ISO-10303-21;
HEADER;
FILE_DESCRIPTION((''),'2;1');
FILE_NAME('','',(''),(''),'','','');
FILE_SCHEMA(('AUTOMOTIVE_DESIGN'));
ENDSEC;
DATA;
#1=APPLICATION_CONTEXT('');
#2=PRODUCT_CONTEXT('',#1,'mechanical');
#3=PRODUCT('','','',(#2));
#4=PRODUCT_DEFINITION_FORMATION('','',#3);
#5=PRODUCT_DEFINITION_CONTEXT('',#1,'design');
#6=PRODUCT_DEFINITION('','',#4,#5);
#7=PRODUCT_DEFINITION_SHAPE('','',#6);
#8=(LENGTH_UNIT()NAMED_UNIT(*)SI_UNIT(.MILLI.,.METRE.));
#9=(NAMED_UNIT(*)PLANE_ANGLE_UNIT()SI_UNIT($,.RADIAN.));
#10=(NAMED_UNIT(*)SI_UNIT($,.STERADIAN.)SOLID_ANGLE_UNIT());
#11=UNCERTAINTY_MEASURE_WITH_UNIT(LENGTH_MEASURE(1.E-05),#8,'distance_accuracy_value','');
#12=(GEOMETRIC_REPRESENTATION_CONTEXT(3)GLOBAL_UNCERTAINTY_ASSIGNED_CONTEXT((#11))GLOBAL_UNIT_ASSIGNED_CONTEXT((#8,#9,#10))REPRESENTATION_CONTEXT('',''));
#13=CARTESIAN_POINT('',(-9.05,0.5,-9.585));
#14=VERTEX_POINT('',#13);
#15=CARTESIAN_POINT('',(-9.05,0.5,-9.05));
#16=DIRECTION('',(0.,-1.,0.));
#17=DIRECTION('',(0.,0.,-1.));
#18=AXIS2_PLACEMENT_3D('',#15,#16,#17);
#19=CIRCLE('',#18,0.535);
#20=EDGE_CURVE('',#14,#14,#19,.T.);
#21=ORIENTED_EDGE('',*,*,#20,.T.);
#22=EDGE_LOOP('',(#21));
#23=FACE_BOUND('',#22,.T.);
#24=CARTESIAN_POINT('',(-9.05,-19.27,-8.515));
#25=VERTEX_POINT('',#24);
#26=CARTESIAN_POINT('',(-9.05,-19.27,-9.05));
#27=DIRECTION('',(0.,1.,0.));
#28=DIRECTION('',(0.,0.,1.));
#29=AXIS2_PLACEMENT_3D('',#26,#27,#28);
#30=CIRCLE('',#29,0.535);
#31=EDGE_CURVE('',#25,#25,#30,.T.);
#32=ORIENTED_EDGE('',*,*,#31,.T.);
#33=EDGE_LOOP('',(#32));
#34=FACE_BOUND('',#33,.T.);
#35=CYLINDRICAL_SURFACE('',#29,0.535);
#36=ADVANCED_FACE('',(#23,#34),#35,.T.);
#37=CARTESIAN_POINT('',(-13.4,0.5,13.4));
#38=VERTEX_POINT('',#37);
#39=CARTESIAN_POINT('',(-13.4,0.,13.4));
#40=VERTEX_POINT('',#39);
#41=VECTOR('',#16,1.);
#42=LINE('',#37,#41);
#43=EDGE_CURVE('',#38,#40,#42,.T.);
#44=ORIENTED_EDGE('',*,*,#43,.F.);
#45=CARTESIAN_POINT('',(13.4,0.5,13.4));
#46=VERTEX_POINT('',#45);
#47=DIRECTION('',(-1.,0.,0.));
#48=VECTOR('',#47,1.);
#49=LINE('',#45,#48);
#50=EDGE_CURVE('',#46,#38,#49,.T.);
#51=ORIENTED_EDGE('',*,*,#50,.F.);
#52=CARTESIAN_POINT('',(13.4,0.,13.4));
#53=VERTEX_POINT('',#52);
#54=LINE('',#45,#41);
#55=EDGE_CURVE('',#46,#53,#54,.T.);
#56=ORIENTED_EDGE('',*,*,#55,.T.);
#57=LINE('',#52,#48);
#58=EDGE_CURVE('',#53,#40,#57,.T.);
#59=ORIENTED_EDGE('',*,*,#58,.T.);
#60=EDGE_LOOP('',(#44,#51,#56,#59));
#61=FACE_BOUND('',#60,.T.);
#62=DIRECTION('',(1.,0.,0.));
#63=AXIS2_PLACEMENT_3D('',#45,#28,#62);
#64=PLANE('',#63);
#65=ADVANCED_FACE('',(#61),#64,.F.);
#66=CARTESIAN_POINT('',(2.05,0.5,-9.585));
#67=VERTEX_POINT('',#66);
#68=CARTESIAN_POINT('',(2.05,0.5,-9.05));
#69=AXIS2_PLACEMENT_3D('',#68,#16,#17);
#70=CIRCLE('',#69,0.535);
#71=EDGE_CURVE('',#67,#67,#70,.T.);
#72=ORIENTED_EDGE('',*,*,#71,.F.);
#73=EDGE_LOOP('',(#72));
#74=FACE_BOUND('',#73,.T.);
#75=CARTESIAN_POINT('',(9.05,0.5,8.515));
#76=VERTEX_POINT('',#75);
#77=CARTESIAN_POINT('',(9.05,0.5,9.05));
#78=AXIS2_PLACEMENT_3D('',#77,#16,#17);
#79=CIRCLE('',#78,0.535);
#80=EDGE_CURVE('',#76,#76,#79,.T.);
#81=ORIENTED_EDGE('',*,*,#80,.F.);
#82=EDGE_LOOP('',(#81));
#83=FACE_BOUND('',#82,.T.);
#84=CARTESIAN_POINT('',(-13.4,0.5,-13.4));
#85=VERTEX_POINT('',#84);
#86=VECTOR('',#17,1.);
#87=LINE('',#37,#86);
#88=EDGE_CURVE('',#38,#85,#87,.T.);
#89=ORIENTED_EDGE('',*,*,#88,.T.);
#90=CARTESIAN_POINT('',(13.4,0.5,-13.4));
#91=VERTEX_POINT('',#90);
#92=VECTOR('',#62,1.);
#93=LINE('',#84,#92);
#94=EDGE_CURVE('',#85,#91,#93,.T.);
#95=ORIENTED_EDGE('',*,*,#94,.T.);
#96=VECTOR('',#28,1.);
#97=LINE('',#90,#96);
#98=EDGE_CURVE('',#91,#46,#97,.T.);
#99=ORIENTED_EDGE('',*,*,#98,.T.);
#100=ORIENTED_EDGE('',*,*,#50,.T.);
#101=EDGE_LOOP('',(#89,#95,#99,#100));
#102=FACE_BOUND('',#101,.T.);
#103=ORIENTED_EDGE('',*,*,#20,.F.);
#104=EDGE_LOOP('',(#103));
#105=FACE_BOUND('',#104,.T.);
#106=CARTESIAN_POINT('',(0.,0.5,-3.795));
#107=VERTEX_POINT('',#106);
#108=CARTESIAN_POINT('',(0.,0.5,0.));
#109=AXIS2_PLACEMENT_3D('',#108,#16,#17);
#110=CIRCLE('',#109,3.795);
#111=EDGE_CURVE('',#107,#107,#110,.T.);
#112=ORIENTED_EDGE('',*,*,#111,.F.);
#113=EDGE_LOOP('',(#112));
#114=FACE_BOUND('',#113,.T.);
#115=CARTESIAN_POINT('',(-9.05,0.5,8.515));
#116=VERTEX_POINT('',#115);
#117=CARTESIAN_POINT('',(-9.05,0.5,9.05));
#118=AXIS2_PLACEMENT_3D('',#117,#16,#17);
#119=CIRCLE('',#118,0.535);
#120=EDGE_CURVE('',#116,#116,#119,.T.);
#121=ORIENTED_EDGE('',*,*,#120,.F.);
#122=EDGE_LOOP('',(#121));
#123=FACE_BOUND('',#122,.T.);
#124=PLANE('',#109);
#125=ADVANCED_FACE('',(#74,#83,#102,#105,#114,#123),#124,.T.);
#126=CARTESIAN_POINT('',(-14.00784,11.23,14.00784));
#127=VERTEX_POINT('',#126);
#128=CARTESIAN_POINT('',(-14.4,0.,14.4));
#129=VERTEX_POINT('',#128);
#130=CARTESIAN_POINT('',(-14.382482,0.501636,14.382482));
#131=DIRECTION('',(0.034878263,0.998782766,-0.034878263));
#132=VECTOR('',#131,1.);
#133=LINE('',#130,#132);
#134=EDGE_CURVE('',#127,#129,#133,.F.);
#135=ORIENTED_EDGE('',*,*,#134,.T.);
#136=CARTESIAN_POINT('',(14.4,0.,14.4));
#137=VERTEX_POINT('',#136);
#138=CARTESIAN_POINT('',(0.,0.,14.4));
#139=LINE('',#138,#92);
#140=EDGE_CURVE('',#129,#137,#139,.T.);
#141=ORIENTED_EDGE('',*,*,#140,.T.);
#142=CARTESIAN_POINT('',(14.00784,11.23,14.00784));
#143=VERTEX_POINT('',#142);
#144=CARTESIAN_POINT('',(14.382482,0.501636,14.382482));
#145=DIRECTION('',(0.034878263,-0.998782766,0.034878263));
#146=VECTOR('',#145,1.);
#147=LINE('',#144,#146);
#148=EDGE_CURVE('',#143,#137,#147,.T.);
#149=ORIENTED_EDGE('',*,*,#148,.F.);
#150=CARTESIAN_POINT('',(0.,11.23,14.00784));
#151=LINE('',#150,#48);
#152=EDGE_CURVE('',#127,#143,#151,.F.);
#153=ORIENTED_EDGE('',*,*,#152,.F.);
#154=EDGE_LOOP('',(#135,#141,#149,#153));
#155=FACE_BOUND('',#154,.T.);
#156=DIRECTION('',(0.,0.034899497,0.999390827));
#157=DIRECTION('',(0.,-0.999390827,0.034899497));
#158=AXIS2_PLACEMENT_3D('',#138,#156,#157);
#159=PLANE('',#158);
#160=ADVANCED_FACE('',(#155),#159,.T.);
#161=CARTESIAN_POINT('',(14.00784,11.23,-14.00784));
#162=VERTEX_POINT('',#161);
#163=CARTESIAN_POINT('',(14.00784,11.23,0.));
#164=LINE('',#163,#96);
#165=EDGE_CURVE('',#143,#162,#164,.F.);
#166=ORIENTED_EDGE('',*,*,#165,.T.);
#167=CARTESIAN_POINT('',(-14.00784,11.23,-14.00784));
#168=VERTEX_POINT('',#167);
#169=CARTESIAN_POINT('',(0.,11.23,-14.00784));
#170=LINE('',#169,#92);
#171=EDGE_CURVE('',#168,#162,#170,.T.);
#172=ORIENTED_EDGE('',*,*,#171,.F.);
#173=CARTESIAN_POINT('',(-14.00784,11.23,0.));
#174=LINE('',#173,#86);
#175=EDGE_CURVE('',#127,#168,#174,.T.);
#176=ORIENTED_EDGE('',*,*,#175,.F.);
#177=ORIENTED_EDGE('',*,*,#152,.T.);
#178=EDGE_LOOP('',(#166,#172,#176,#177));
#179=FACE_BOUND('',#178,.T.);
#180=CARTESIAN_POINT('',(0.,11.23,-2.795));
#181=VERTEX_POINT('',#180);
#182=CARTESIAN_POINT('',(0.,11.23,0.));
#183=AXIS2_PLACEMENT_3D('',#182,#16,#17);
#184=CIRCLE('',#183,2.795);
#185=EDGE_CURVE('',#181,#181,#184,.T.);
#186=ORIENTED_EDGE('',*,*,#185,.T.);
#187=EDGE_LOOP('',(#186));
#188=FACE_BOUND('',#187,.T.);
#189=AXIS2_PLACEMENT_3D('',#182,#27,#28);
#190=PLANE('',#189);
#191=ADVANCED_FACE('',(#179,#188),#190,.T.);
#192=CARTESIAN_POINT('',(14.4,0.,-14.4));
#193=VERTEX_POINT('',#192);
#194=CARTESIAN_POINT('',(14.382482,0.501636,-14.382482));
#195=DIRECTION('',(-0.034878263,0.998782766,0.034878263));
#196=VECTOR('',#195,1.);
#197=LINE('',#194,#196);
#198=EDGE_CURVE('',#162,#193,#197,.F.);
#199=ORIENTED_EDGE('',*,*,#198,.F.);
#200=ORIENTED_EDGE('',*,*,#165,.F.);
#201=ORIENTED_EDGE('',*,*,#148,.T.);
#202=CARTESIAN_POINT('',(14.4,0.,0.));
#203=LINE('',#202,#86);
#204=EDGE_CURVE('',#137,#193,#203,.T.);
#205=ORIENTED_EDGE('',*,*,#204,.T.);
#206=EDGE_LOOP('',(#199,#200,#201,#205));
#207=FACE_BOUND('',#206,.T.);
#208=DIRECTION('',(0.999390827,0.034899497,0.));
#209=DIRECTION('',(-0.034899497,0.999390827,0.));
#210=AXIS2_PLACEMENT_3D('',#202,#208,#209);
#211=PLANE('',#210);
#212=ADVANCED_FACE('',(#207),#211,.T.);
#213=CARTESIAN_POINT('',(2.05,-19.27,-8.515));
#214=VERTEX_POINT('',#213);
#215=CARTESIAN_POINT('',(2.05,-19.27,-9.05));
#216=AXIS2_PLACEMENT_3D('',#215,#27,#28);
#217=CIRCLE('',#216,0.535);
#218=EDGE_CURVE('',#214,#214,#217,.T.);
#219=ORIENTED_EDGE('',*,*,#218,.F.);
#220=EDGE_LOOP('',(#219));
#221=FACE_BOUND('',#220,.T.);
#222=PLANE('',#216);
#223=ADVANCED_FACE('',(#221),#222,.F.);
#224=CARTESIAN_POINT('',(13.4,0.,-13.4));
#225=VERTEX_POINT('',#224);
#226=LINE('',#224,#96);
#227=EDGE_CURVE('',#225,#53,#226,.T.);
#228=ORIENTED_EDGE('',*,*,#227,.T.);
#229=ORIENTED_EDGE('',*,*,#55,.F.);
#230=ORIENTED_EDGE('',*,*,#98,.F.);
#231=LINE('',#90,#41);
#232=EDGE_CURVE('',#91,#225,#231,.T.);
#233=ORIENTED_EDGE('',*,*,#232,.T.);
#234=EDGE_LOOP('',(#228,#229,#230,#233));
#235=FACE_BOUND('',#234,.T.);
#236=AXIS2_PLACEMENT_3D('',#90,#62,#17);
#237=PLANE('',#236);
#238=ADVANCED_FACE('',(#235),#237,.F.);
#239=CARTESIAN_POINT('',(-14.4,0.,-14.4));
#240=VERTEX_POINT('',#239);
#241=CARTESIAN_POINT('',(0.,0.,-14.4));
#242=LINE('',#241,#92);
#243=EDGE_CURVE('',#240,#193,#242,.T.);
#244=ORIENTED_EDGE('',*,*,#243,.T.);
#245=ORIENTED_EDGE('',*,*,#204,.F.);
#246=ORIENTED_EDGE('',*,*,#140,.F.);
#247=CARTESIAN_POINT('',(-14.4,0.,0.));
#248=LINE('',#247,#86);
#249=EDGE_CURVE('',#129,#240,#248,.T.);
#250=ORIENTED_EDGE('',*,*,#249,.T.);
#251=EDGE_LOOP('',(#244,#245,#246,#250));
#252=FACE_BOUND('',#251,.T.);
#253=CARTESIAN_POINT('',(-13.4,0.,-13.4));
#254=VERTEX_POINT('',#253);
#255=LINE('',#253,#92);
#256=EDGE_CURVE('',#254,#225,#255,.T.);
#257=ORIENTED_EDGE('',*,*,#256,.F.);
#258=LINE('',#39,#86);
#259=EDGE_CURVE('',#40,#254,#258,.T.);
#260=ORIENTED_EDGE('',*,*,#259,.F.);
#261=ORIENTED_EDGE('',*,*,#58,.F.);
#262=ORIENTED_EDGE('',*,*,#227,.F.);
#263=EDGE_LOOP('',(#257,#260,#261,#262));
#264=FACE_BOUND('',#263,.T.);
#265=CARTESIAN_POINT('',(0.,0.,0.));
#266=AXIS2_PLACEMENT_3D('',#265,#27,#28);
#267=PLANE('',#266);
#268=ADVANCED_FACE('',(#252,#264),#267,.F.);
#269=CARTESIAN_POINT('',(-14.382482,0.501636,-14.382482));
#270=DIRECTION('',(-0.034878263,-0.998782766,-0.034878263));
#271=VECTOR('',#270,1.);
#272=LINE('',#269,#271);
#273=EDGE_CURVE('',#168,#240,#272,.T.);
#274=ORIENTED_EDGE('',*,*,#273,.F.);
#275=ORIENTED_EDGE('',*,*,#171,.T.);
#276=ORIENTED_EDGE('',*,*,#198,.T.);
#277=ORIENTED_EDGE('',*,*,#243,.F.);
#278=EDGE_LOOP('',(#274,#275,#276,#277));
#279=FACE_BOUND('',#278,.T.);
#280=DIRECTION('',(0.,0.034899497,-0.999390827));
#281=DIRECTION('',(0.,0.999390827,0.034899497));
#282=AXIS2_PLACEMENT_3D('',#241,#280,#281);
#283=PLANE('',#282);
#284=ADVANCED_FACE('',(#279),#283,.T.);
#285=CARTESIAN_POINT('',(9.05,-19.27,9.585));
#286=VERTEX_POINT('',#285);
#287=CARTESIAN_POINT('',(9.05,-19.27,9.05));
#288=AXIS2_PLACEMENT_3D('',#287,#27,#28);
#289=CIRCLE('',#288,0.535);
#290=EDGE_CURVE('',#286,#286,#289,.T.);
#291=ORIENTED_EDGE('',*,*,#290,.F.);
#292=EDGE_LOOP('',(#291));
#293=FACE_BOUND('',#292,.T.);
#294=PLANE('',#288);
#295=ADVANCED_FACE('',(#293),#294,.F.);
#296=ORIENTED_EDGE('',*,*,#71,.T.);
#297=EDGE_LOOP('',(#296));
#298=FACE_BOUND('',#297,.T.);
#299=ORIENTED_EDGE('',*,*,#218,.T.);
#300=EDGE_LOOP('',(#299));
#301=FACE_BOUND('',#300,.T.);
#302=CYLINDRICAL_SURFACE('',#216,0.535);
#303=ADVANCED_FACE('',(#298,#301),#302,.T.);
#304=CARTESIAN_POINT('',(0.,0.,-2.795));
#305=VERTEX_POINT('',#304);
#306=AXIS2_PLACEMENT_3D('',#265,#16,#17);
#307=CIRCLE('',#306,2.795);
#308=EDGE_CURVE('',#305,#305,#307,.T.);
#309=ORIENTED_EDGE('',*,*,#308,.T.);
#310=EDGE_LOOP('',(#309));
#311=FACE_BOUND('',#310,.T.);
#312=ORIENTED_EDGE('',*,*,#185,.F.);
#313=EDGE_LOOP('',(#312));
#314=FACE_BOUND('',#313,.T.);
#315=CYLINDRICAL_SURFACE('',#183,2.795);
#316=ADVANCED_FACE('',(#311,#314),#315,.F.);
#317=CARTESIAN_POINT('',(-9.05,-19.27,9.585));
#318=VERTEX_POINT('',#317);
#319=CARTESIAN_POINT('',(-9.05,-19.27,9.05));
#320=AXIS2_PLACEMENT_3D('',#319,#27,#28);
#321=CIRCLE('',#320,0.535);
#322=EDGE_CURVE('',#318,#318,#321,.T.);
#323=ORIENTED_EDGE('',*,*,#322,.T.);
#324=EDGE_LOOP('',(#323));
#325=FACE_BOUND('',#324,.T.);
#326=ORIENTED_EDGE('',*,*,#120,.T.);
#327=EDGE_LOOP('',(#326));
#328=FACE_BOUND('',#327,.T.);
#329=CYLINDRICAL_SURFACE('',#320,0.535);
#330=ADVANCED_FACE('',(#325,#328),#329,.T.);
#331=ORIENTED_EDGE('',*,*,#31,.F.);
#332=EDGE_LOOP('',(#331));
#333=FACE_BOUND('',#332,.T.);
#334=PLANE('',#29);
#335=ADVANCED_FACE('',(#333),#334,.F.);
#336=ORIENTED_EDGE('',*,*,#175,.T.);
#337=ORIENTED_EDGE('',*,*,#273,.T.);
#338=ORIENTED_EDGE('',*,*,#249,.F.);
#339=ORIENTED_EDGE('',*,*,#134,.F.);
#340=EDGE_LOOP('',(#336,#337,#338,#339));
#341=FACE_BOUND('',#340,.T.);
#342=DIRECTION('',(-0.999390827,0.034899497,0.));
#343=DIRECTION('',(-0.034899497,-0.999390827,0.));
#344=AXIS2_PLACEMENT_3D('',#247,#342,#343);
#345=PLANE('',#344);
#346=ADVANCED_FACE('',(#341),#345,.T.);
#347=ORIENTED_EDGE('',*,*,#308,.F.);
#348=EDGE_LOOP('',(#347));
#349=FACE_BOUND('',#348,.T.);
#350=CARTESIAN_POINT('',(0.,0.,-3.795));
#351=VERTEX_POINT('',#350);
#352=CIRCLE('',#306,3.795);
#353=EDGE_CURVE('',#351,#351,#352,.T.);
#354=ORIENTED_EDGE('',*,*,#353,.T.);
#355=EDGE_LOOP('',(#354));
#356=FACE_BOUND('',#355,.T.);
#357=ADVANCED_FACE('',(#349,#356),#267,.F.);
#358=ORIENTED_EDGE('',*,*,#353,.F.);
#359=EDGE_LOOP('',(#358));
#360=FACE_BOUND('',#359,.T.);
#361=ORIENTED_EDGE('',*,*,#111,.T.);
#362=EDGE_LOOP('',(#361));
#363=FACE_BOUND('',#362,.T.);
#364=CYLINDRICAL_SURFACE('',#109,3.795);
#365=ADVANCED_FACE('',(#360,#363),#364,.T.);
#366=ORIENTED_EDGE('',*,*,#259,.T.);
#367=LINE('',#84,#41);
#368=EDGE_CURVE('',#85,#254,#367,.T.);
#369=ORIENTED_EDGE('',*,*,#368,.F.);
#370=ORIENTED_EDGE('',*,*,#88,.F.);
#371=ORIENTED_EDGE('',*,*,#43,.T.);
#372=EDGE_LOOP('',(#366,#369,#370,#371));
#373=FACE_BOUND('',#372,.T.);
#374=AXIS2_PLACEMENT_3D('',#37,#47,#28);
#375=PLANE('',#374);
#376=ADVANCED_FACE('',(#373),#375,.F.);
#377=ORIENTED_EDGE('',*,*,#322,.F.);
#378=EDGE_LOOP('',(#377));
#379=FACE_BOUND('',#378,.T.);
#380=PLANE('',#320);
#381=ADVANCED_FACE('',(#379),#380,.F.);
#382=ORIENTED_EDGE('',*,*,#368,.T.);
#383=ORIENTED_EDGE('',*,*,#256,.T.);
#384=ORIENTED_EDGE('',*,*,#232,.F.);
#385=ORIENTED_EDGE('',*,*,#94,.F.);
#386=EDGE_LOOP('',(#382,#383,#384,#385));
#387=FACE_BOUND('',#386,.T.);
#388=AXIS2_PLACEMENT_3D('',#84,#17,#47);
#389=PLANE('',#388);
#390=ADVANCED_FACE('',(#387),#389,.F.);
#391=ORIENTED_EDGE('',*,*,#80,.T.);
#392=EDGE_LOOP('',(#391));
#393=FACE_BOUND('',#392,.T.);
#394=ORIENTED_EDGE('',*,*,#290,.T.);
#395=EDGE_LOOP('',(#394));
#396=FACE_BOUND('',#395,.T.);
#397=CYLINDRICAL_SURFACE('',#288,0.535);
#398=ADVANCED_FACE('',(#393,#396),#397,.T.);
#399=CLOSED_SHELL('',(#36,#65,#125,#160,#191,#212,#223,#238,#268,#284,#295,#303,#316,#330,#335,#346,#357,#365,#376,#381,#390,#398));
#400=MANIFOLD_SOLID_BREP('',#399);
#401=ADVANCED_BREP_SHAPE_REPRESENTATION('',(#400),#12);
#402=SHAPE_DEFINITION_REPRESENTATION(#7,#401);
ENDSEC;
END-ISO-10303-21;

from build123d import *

# Parameters (mm, degrees)
SKETCH1_W           = 28.8
SKETCH1_H           = 28.8
BOSS_EXTRUDE1_DEPTH = 11.23
BOSS_EXTRUDE1_TAPER = 2
SKETCH2_W           = 26.8
SKETCH2_H           = 26.8
SKETCH2_R           = 3.795
CUT_EXTRUDE1_DEPTH  = 0.5
SKETCH3_R           = 2.795
CUT_EXTRUDE2_DEPTH  = 24.255814499
BOSS_EXTRUDE2_START = -10.73
SKETCH4_R           = 0.535
BOSS_EXTRUDE2_DEPTH = 30.5


with BuildPart() as part:
    # Sketch1 → Boss-Extrude1 (new body)
    with BuildSketch(Plane(origin=(0, 0, 0), x_dir=(1, 0, 0), z_dir=(0, 1, 0))):
        Rectangle(SKETCH1_W, SKETCH1_H)
    extrude(amount=BOSS_EXTRUDE1_DEPTH, taper=BOSS_EXTRUDE1_TAPER)

    # Sketch2 → Cut-Extrude1 (cut)
    with BuildSketch(Plane.XZ):
        Rectangle(SKETCH2_W, SKETCH2_H)
        with Locations(Location((0, 0, 0), (0, 0, 270))):
            Circle(SKETCH2_R, mode=Mode.SUBTRACT)
    extrude(amount=-CUT_EXTRUDE1_DEPTH, mode=Mode.SUBTRACT)

    # Sketch3 → Cut-Extrude2 (cut, through all)
    with BuildSketch(Plane.XZ):
        with Locations(Location((0, 0, 0), (0, 0, 270))):
            Circle(SKETCH3_R)
    extrude(amount=-CUT_EXTRUDE2_DEPTH, mode=Mode.SUBTRACT)

    # Sketch4 → Boss-Extrude2 (add)
    with BuildSketch(Plane.XZ.offset(-0.5).offset(BOSS_EXTRUDE2_START)):
        with Locations(Location((-9.05, 9.05, 0), (0, 0, 90))):
            Circle(SKETCH4_R)
        with Locations(Location((9.05, 9.05, 0), (0, 0, 90))):
            Circle(SKETCH4_R)
        with Locations(Location((-9.05, -9.05, 0), (0, 0, 90))):
            Circle(SKETCH4_R)
        with Locations(Location((2.05, -9.05, 0), (0, 0, 90))):
            Circle(SKETCH4_R)
    extrude(amount=BOSS_EXTRUDE2_DEPTH)


solid = part.part
